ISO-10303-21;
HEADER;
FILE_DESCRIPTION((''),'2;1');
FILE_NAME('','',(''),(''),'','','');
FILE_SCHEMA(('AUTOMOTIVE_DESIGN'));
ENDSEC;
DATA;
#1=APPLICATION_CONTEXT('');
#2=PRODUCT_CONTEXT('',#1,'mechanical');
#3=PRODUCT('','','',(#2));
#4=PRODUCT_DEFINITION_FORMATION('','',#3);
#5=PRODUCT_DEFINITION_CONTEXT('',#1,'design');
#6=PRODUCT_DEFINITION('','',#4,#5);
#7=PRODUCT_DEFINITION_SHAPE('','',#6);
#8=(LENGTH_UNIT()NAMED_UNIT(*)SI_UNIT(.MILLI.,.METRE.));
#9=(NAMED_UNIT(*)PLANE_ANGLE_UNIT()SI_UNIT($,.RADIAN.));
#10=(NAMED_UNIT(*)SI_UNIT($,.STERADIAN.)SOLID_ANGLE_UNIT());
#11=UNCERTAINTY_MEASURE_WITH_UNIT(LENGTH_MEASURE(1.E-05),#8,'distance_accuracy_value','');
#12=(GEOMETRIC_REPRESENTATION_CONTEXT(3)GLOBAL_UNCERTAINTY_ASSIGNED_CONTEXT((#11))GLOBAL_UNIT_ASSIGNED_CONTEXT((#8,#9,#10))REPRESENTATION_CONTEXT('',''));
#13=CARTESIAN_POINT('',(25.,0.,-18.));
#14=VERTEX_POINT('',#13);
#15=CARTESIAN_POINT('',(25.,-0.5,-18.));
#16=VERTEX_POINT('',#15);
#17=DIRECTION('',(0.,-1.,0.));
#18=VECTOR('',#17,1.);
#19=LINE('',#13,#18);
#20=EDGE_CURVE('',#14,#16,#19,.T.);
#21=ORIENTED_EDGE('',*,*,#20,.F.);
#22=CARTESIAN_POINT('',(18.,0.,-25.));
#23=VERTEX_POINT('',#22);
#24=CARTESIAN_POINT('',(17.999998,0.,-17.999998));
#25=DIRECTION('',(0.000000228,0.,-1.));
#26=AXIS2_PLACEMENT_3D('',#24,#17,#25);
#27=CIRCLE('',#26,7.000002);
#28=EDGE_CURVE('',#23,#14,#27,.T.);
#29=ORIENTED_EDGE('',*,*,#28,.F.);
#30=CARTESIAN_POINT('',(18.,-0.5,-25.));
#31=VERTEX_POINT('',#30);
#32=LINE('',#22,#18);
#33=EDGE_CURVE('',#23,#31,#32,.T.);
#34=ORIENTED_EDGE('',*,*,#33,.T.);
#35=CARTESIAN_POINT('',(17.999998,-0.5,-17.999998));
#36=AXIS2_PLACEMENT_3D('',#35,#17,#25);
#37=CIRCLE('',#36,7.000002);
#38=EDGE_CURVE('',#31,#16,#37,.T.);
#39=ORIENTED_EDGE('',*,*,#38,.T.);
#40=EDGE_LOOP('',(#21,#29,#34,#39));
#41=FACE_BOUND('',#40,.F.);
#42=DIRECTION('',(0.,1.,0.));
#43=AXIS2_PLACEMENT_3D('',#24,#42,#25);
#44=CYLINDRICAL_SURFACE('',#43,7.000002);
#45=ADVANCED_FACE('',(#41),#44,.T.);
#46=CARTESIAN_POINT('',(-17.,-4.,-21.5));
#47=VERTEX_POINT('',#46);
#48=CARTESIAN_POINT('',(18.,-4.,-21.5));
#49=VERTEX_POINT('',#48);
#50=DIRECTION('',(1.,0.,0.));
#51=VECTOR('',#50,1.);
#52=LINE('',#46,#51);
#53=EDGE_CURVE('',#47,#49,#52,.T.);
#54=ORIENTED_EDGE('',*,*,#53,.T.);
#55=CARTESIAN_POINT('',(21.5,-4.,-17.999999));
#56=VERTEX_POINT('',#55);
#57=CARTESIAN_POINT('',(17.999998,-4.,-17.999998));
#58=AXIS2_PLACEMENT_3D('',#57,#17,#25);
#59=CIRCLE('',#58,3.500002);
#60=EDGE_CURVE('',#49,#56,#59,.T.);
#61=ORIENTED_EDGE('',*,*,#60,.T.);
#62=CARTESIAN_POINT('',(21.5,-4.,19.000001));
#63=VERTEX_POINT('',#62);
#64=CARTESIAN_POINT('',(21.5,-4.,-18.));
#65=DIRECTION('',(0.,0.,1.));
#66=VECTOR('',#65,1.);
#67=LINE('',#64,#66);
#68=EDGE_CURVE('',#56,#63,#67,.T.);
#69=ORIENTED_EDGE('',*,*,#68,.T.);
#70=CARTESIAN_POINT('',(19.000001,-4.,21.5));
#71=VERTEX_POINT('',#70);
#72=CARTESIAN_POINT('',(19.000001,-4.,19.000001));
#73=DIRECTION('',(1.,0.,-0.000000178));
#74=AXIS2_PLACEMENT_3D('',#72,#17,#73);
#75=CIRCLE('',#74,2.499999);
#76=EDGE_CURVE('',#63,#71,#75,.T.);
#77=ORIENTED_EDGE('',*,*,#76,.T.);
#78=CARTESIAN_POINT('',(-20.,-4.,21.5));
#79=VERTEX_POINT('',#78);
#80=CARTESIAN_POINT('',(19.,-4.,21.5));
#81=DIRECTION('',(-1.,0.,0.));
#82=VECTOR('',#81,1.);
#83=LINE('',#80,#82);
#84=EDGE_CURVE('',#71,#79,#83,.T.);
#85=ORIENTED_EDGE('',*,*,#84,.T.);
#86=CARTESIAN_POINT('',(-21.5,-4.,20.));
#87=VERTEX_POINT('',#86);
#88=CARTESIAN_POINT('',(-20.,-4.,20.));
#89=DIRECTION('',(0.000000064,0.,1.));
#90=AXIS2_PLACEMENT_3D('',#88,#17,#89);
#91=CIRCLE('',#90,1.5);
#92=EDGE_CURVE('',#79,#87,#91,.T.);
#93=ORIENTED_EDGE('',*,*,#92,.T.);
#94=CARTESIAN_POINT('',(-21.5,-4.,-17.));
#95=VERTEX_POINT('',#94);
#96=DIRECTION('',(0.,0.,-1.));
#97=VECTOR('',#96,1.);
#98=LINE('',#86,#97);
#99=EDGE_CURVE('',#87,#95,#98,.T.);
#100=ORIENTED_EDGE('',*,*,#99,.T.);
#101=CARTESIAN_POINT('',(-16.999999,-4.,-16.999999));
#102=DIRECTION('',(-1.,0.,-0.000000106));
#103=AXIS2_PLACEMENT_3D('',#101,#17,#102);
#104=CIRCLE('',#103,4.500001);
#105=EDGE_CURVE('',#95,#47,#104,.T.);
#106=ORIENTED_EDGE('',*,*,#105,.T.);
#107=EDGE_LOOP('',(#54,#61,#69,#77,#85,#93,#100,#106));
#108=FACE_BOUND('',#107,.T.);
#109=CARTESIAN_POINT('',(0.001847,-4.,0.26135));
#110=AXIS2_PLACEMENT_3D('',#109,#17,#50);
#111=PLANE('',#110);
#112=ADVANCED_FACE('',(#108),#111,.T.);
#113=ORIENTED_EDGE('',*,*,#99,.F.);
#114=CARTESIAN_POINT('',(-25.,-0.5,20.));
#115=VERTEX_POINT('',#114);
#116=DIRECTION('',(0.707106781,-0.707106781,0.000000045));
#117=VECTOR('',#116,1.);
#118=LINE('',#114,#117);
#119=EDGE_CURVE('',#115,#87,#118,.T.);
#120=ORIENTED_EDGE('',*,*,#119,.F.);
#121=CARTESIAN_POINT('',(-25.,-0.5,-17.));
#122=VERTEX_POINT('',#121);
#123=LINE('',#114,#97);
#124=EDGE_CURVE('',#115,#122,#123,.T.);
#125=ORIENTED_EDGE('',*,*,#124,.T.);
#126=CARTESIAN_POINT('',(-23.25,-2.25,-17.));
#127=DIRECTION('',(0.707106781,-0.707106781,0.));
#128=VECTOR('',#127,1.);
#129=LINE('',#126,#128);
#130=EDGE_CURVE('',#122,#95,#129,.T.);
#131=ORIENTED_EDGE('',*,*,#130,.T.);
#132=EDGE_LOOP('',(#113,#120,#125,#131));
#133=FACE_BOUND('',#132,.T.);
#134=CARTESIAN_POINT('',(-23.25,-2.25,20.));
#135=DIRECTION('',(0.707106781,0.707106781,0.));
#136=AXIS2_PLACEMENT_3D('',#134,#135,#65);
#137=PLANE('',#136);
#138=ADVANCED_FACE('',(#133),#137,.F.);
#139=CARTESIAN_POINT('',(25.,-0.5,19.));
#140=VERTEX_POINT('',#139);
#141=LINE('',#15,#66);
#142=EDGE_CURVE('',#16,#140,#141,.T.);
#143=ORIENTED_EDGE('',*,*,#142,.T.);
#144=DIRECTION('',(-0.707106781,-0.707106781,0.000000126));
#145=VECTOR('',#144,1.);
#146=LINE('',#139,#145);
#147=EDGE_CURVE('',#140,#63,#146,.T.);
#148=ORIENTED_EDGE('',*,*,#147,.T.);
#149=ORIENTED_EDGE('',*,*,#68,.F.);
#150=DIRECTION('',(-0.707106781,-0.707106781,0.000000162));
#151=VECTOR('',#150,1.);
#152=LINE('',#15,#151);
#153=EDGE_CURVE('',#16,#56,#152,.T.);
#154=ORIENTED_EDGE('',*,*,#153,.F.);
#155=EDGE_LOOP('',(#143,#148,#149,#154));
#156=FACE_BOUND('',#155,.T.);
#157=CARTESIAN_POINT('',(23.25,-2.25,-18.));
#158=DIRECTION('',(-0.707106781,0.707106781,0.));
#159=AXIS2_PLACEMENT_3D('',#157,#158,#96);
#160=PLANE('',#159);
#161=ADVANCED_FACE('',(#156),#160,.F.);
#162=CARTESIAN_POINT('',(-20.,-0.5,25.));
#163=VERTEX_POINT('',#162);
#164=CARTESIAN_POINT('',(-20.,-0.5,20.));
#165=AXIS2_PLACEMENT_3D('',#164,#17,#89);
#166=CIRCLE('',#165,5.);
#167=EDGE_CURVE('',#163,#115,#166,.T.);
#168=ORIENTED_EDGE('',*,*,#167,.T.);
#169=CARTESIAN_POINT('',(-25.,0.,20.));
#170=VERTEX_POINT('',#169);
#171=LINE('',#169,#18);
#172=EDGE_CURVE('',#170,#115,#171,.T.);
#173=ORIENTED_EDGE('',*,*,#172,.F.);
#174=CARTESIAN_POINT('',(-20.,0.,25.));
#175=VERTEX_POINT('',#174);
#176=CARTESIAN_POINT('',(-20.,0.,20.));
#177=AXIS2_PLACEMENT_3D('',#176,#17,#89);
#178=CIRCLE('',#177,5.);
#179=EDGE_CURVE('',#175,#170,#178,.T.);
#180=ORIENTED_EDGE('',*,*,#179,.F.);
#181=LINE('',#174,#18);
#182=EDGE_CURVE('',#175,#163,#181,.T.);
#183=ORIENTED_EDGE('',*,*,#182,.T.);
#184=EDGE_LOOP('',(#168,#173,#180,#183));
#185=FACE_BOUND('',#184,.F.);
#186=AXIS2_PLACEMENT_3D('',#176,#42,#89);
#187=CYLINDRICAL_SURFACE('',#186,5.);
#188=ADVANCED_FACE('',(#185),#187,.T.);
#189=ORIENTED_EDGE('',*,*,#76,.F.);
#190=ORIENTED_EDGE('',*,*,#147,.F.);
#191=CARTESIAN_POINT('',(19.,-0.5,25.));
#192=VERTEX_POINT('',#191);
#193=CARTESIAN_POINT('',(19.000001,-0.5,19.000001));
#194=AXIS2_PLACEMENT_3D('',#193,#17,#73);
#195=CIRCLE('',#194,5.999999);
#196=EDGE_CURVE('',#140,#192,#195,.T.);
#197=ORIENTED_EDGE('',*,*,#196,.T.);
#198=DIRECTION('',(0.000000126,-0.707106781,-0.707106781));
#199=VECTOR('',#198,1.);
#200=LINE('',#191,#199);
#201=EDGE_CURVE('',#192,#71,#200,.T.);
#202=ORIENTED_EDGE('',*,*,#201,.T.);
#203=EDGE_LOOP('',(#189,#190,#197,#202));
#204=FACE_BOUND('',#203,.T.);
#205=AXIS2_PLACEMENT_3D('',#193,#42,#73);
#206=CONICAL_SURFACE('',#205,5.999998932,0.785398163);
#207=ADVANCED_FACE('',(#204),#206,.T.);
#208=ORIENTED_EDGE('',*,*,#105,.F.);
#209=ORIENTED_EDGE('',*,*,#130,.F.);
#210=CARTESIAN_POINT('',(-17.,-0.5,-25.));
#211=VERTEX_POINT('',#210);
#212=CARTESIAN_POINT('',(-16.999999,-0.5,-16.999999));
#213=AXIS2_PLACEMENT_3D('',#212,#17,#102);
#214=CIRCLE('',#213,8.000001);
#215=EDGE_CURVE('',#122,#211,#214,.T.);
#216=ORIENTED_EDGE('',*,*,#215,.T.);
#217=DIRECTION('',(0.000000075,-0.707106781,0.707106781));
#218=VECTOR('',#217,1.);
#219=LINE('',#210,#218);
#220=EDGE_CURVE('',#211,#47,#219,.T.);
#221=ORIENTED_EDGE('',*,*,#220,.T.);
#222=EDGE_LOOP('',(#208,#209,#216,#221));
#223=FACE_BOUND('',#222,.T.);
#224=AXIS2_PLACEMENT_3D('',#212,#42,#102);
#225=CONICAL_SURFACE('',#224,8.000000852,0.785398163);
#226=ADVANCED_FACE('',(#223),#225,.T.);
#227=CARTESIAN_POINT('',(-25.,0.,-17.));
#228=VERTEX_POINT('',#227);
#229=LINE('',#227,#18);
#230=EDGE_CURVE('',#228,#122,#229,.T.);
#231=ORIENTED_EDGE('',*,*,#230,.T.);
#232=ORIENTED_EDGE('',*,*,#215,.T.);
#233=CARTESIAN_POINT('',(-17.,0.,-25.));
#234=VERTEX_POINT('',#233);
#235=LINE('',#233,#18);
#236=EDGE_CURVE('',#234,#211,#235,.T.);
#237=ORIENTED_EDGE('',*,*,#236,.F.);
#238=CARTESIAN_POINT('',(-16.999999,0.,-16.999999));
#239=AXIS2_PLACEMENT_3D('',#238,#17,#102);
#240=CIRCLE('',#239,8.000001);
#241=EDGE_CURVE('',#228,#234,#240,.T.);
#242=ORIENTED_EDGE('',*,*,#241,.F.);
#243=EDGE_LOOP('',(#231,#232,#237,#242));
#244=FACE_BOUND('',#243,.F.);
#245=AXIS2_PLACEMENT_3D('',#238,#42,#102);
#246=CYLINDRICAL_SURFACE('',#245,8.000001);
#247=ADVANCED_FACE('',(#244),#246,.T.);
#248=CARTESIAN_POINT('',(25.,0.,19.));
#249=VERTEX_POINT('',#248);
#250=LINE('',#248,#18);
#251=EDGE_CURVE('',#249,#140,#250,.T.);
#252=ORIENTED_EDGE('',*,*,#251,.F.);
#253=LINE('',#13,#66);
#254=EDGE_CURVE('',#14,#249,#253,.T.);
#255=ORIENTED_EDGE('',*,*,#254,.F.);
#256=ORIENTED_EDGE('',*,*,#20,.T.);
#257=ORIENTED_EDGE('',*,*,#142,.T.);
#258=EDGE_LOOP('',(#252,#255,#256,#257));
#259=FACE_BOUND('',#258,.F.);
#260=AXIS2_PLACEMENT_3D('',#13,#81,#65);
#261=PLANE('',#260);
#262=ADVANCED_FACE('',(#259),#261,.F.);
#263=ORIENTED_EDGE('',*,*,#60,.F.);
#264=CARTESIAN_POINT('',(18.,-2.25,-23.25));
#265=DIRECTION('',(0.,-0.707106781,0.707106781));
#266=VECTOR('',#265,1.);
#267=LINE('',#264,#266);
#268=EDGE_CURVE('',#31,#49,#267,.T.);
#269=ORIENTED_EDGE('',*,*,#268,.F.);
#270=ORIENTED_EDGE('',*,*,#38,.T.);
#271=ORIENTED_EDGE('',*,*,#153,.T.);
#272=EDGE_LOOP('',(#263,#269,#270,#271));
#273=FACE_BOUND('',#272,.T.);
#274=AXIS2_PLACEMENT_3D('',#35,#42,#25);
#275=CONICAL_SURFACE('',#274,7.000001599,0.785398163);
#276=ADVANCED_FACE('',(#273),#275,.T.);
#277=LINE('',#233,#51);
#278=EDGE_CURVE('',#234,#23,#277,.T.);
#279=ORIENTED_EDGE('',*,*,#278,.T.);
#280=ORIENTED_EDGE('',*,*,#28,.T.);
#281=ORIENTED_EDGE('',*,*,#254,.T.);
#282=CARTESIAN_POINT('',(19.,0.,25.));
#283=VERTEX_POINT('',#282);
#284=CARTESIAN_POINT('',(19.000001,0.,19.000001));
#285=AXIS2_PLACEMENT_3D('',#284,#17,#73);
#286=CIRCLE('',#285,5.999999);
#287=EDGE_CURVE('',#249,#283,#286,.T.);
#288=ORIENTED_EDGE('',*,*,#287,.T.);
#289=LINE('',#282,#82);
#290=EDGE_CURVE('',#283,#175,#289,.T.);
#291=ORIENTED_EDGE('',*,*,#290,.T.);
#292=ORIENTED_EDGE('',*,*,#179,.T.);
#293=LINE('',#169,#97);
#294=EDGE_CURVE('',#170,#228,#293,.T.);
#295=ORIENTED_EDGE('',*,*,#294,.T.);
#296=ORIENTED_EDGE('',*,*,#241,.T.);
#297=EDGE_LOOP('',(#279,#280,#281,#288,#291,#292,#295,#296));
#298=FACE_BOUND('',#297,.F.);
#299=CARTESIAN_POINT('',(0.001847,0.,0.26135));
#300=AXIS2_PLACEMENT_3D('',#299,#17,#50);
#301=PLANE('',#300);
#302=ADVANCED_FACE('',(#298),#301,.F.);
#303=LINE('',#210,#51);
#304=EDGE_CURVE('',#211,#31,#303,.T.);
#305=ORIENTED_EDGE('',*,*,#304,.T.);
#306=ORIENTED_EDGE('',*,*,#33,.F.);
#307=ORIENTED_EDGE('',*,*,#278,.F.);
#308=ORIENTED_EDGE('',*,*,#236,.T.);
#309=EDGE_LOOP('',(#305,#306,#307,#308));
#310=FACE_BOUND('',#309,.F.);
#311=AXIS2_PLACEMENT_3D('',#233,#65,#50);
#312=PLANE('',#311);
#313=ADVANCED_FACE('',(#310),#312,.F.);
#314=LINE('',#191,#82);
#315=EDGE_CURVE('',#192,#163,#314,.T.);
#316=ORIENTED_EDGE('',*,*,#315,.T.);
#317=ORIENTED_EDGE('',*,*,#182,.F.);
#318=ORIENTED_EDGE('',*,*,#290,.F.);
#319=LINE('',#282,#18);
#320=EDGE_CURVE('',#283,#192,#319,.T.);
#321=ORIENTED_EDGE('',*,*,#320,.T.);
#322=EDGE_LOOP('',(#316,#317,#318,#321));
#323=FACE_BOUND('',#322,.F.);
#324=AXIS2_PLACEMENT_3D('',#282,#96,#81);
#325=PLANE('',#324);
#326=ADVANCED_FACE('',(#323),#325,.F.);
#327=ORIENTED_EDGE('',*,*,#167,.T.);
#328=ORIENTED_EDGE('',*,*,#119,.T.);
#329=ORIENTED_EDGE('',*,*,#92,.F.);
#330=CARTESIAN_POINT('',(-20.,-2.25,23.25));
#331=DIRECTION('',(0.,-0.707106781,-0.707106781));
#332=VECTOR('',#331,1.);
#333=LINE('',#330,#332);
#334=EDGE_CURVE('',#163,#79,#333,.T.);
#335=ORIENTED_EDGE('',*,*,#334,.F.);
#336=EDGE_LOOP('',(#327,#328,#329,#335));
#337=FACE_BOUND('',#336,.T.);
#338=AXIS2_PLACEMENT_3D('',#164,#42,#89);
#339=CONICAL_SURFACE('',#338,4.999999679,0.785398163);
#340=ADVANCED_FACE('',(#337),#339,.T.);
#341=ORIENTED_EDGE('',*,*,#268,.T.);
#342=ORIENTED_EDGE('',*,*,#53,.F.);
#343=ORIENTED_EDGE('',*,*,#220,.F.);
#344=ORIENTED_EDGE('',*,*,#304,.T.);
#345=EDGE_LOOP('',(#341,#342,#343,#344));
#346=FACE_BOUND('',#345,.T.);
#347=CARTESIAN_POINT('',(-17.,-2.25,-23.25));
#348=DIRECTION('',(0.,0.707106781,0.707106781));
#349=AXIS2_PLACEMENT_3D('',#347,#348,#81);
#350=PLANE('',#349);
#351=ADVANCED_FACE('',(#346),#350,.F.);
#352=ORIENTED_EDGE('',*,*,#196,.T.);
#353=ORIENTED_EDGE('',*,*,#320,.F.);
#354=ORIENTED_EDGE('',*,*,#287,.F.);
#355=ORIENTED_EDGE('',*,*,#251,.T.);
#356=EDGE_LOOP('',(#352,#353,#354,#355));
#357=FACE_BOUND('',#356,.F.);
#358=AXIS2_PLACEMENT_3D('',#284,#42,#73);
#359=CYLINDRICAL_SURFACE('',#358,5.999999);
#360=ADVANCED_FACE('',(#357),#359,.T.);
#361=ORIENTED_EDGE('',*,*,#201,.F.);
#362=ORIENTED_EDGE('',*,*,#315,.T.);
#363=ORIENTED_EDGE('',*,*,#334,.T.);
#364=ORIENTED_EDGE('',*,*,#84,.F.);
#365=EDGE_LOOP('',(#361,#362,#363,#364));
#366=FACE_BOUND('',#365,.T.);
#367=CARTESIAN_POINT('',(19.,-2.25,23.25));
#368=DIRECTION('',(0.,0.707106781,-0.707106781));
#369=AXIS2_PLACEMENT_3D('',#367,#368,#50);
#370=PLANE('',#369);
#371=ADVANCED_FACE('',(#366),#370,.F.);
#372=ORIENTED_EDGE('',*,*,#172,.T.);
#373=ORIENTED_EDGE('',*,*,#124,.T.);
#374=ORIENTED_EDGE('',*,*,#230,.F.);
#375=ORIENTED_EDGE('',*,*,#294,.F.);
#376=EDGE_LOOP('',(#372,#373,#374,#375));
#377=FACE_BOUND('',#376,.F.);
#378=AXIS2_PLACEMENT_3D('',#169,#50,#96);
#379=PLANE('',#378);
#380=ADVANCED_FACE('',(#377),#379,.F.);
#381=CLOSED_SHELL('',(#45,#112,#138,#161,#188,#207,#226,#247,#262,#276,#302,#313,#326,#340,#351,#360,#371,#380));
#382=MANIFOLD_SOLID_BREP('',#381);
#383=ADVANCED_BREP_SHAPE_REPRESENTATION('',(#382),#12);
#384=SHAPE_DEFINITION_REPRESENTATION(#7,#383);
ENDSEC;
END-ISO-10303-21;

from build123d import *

# Parameters (mm, degrees)
F1_DEPTH = 4
F2_SIZE  = 3.5


with BuildPart() as f1:
    # F0 (on Front) → F1 (new body)
    with BuildSketch(Plane.XZ):
        with BuildLine():
            ThreePointArc((25, 19), (23.242641, 23.242641), (19, 25))
            Line((19, 25), (-20, 25))
            ThreePointArc((-20, 25), (-23.535534, 23.535534), (-25, 20))
            Line((-25, 20), (-25, -17))
            ThreePointArc((-25, -17), (-22.656854, -22.656854), (-17, -25))
            Line((-17, -25), (18, -25))
            ThreePointArc((18, -25), (22.949747, -22.949747), (25, -18))
            Line((25, -18), (25, 19))
        make_face()
    extrude(amount=F1_DEPTH)

    # F2
    f2_edges = [f1.edges().sort_by_distance(p)[0] for p in [
        (23.242641, -4, 23.242641),
        (-0.5, -4, 25),
        (-23.535534, -4, 23.535534),
        (-25, -4, 1.5),
        (-22.656854, -4, -22.656854),
        (0.5, -4, -25),
        (22.949747, -4, -22.949747),
        (25, -4, 0.5),
    ]]
    chamfer(f2_edges, length=F2_SIZE)


solid = f1.part
